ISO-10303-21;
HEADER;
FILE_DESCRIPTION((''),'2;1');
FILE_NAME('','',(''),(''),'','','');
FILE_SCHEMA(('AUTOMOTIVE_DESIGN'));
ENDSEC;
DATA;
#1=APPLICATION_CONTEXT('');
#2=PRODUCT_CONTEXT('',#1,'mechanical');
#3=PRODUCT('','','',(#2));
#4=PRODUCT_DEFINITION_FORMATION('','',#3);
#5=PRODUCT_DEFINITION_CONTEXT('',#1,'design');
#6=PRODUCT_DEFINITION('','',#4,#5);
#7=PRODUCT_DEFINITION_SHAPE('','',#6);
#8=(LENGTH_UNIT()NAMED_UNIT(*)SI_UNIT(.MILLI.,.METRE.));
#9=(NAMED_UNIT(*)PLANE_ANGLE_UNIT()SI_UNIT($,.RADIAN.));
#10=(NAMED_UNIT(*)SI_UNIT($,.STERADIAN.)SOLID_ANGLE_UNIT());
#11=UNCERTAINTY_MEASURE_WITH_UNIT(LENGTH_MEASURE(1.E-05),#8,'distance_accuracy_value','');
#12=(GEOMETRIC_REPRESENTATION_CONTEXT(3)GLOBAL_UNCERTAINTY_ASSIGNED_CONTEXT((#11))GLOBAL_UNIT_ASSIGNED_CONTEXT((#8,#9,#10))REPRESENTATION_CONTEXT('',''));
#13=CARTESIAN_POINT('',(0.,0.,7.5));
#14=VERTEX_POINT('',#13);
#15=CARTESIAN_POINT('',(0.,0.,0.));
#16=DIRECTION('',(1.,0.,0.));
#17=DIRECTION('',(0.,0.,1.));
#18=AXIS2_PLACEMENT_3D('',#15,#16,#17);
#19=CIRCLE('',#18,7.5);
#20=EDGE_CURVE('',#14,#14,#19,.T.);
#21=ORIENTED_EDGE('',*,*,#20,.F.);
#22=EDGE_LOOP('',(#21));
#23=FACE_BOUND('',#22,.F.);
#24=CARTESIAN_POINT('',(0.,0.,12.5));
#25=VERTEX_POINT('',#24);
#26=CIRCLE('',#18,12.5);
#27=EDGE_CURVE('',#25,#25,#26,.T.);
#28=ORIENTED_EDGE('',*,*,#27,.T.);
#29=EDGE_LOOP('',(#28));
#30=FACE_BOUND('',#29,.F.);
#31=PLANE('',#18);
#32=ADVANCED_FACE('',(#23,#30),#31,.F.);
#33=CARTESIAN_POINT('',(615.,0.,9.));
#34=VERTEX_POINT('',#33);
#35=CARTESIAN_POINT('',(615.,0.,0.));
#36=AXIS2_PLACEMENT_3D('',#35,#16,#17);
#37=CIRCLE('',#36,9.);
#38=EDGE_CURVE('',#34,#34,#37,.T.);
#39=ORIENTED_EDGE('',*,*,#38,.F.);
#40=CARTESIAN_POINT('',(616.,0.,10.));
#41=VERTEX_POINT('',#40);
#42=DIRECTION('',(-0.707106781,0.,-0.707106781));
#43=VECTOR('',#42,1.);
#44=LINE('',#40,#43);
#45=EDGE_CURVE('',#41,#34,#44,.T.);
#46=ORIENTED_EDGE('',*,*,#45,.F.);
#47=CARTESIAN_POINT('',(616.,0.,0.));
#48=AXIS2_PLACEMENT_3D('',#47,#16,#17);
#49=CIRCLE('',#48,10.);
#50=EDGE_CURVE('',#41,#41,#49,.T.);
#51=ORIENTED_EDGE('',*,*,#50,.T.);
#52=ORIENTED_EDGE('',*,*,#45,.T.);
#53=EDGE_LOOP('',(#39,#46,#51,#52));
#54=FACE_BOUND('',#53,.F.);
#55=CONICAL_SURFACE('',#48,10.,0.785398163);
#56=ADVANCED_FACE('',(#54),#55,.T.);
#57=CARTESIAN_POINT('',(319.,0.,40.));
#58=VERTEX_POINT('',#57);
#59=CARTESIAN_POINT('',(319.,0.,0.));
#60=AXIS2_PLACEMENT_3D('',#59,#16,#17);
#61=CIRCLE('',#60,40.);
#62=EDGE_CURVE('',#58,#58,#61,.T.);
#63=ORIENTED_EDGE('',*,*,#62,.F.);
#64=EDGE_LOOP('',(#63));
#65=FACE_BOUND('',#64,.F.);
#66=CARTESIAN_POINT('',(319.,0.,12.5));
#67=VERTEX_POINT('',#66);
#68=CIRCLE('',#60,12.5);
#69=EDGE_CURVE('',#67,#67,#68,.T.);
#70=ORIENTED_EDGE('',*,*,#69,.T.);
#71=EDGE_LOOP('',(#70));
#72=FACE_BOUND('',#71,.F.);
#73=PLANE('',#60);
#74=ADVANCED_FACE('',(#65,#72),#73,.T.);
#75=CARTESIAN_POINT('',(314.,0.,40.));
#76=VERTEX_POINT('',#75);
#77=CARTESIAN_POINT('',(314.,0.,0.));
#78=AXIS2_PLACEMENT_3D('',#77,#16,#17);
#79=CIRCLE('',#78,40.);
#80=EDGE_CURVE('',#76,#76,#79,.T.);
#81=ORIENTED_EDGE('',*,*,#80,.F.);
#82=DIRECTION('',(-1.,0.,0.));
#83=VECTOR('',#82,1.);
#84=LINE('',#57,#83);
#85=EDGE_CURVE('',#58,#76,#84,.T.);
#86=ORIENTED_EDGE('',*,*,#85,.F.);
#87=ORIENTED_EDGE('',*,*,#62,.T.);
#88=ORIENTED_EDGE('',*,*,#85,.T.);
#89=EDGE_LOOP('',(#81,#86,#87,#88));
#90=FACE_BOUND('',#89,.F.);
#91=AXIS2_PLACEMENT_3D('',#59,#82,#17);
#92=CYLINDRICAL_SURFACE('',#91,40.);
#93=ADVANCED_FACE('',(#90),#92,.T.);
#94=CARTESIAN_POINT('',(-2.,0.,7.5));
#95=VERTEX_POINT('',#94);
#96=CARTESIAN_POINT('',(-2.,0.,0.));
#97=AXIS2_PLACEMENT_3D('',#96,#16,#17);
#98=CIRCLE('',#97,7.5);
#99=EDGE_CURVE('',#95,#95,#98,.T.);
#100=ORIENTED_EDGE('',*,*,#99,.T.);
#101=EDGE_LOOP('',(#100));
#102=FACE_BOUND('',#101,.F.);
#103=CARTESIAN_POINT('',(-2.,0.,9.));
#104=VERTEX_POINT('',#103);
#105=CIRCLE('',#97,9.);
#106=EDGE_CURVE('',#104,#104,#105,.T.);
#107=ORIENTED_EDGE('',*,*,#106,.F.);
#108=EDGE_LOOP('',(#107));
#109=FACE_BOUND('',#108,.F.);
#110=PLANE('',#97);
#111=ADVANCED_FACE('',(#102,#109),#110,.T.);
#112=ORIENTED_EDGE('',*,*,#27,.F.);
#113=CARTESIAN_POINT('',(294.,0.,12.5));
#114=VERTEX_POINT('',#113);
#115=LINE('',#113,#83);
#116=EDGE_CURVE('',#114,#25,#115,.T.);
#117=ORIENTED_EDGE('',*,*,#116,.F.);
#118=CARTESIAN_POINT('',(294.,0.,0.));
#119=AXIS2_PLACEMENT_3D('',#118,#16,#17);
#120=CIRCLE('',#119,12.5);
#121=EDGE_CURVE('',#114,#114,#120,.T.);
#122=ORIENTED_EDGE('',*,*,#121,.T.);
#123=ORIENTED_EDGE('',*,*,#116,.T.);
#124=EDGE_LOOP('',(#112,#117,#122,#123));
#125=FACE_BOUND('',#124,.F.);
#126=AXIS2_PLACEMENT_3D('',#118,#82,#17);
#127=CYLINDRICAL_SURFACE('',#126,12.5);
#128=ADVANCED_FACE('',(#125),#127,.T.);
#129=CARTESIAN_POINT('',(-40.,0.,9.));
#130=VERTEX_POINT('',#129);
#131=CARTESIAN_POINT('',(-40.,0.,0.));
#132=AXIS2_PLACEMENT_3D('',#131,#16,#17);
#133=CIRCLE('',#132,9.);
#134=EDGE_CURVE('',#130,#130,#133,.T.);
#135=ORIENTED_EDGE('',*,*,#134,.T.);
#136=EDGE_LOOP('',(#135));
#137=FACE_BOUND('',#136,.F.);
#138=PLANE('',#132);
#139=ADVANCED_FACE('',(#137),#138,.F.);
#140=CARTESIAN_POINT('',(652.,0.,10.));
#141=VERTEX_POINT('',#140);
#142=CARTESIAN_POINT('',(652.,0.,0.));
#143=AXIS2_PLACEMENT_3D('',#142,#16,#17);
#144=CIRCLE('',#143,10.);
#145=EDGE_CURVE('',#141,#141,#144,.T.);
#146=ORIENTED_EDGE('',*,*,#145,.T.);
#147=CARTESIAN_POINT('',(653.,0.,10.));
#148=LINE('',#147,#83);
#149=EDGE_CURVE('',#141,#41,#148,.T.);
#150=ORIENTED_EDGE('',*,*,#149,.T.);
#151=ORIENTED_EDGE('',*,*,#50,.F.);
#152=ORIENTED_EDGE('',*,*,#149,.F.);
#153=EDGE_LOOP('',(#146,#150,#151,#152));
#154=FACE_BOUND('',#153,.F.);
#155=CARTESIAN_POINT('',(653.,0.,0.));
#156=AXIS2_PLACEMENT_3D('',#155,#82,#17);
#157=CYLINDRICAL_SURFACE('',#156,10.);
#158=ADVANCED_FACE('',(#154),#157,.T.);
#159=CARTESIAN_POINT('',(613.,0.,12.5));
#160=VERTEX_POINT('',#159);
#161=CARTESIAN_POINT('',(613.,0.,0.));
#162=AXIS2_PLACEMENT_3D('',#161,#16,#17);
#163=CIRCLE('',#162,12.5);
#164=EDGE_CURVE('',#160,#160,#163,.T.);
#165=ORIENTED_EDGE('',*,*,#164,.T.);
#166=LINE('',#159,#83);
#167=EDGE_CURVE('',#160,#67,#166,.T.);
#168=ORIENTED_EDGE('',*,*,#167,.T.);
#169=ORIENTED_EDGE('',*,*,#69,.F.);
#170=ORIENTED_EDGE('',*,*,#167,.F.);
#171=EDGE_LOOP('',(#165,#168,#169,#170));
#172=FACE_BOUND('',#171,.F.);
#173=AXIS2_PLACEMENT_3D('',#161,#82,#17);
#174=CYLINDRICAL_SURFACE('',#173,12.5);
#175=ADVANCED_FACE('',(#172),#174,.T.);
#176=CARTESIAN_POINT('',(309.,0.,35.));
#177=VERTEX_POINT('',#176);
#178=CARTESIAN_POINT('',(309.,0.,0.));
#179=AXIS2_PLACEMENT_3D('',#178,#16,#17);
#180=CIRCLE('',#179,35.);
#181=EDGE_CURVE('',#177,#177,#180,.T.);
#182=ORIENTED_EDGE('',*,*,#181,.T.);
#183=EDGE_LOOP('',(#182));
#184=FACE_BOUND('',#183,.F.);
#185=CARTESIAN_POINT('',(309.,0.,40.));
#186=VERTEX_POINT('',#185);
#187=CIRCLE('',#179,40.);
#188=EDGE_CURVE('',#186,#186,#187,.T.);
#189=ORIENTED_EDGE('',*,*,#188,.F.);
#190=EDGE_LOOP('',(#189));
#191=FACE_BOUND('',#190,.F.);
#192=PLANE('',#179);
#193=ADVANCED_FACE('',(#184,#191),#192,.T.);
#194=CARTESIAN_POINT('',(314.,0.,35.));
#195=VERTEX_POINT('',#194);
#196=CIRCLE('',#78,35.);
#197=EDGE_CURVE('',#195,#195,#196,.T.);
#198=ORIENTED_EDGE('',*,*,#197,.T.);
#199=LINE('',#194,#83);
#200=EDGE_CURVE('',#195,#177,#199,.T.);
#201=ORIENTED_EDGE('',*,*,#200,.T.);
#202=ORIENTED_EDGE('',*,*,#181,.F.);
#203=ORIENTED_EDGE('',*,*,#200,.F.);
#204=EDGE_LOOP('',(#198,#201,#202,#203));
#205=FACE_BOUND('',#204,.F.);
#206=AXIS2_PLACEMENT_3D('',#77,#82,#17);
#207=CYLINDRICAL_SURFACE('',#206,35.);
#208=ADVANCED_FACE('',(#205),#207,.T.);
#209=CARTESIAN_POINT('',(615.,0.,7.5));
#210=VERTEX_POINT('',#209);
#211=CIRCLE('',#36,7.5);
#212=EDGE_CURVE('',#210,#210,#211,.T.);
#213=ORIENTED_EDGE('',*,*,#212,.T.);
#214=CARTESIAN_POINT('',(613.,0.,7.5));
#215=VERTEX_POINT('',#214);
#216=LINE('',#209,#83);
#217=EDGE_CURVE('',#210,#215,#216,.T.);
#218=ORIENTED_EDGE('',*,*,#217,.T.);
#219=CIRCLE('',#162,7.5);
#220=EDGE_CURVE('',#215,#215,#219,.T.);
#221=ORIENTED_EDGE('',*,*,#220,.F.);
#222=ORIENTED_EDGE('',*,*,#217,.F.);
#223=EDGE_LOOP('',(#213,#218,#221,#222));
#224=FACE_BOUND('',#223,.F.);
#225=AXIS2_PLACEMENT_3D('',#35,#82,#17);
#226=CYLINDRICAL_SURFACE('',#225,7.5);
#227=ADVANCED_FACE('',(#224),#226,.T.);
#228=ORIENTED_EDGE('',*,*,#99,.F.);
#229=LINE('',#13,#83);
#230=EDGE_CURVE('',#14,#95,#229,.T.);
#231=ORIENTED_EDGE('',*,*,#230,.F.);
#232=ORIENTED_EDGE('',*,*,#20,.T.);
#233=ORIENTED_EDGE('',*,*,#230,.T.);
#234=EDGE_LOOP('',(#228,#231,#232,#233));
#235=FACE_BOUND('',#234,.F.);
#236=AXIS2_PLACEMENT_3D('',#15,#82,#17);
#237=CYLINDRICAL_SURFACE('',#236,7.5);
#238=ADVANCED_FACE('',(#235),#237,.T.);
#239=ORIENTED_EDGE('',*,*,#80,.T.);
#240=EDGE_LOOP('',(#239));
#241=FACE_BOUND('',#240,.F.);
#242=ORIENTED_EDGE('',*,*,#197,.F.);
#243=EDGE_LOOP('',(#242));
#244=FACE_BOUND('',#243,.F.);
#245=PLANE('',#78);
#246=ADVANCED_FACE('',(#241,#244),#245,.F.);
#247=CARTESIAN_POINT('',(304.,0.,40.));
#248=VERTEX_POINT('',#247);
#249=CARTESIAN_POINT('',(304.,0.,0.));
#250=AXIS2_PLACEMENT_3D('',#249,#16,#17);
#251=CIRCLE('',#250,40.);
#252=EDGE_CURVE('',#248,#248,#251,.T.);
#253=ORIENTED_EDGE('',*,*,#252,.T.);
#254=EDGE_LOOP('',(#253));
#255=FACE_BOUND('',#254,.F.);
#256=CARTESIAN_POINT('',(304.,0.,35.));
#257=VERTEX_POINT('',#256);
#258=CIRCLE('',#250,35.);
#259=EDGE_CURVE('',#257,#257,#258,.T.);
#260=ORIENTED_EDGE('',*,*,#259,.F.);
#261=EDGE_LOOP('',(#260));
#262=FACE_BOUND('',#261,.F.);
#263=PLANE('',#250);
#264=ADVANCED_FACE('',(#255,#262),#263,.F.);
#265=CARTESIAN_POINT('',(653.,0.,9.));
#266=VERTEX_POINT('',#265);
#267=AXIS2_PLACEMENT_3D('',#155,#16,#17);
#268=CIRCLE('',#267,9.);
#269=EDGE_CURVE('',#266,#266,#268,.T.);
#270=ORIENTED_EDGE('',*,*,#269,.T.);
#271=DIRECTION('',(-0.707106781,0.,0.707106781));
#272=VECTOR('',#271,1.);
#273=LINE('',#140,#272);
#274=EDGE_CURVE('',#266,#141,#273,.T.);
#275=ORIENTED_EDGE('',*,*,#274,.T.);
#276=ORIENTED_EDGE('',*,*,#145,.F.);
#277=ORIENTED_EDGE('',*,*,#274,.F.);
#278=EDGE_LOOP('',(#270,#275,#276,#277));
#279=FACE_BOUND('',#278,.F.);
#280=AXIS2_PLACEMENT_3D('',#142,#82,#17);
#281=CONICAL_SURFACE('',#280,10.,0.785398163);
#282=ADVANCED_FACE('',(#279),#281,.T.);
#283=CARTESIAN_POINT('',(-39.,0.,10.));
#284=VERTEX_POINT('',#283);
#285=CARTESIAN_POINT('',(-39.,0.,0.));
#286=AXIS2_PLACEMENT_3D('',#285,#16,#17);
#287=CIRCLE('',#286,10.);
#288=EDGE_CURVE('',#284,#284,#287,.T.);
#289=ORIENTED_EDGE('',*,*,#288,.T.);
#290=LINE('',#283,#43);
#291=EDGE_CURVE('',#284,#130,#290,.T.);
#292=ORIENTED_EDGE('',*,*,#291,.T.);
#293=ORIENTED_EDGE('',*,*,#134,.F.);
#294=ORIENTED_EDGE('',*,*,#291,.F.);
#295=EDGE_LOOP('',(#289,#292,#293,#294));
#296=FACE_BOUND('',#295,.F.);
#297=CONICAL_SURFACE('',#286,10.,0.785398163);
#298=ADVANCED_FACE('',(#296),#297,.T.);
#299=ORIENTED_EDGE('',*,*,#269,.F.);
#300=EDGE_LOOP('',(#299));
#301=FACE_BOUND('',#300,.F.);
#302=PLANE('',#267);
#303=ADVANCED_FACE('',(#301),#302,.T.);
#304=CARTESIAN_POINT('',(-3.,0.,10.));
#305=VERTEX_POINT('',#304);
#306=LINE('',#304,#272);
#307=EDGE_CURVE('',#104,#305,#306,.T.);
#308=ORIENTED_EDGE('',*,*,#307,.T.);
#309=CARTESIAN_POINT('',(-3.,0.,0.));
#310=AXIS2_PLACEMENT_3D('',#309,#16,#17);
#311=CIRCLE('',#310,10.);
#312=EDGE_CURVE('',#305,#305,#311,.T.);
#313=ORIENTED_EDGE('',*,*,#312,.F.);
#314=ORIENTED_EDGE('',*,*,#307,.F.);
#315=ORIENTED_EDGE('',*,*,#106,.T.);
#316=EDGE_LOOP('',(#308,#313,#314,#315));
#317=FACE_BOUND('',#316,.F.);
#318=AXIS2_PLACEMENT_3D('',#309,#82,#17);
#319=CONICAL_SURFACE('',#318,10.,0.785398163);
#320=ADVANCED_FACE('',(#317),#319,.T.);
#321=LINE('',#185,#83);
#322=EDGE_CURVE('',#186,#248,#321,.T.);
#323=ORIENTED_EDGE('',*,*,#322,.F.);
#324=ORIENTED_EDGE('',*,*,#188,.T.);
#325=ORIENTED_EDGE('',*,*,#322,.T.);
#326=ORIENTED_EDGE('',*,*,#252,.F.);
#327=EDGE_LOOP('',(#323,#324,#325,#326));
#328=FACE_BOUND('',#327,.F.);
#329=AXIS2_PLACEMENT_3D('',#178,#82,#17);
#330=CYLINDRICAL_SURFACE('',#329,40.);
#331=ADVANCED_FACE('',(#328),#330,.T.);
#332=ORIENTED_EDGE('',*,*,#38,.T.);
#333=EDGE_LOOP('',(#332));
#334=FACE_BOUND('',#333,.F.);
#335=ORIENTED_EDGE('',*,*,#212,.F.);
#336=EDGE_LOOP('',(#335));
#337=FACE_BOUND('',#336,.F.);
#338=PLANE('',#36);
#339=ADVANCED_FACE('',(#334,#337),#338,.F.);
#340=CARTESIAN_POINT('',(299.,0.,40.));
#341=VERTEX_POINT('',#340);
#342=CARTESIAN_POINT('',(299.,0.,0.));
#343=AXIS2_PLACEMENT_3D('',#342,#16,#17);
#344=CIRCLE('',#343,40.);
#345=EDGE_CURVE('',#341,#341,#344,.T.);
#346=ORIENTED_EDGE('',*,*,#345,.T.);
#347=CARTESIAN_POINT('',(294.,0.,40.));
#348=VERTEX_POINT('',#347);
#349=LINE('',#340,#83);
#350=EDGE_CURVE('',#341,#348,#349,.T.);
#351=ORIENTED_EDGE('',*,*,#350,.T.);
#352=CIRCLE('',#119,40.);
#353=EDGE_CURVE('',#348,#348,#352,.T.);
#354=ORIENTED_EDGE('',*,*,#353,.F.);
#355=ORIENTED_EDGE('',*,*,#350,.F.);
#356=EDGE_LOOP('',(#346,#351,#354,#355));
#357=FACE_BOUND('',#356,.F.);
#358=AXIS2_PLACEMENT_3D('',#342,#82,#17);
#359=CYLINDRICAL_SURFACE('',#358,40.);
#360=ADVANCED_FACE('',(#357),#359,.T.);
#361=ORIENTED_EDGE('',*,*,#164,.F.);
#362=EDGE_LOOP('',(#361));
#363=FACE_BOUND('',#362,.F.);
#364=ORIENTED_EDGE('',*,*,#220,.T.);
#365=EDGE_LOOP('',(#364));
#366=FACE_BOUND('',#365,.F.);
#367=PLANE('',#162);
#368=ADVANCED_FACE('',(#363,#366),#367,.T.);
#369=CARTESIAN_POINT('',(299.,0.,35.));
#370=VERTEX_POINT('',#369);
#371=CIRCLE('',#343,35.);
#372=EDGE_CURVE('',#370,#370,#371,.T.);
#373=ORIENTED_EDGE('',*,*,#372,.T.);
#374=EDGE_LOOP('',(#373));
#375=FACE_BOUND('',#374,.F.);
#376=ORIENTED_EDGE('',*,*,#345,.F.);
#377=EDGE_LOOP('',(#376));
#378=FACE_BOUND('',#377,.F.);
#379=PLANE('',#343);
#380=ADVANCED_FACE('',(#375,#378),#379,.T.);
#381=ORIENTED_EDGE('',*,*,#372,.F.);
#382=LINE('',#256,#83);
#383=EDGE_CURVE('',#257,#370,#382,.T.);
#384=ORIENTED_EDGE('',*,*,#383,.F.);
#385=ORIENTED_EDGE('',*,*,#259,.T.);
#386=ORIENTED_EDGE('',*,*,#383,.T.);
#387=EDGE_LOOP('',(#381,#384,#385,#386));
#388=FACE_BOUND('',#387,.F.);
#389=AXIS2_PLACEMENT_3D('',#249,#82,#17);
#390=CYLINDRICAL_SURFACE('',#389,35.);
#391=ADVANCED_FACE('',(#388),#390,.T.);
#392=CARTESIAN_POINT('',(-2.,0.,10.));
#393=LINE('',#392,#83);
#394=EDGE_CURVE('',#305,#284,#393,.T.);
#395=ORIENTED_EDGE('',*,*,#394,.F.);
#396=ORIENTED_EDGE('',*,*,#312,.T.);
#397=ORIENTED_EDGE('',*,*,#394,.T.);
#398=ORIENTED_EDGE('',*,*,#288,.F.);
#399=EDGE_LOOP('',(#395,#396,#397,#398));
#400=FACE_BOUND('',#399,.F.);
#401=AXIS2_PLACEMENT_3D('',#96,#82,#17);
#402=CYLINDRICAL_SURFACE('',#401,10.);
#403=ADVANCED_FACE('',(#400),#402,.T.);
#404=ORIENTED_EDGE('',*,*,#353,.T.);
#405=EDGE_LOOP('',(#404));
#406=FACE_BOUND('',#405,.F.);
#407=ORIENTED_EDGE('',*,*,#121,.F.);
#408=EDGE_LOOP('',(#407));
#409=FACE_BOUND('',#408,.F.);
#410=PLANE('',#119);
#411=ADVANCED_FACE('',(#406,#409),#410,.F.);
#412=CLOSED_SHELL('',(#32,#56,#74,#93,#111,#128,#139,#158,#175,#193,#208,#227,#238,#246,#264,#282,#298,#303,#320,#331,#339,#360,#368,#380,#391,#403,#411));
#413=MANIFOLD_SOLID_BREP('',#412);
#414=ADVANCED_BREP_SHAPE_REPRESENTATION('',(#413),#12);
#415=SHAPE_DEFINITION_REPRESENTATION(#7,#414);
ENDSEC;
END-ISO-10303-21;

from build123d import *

# Parameters (mm, degrees)
F2_SIZE = 1


with BuildPart() as f1:
    # F0 (on Front) → F1 (revolve)
    with BuildSketch(Plane.XZ):
        Polygon((294, 12.5), (0, 12.5), (0, 7.5), (-2, 7.5), (-2, 10), (-40, 10), (-40, 0), (306.5, 0), (653, 0), (653, 10), (615, 10), (615, 7.5), (613, 7.5), (613, 12.5), (319, 12.5), (319, 40), (314, 40), (314, 35), (309, 35), (309, 40), (306.5, 40), (304, 40), (304, 35), (299, 35), (299, 40), (294, 40), align=None)
    revolve(axis=Axis((133.25, 0, 0), (1, 0, 0)))

    # F2
    f2_edges = [f1.edges().sort_by_distance(p)[0] for p in [
        (653, 0, -10),
        (615, 0, -10),
        (-40, 0, -10),
        (-2, 0, -10),
    ]]
    chamfer(f2_edges, length=F2_SIZE)


solid = f1.part
